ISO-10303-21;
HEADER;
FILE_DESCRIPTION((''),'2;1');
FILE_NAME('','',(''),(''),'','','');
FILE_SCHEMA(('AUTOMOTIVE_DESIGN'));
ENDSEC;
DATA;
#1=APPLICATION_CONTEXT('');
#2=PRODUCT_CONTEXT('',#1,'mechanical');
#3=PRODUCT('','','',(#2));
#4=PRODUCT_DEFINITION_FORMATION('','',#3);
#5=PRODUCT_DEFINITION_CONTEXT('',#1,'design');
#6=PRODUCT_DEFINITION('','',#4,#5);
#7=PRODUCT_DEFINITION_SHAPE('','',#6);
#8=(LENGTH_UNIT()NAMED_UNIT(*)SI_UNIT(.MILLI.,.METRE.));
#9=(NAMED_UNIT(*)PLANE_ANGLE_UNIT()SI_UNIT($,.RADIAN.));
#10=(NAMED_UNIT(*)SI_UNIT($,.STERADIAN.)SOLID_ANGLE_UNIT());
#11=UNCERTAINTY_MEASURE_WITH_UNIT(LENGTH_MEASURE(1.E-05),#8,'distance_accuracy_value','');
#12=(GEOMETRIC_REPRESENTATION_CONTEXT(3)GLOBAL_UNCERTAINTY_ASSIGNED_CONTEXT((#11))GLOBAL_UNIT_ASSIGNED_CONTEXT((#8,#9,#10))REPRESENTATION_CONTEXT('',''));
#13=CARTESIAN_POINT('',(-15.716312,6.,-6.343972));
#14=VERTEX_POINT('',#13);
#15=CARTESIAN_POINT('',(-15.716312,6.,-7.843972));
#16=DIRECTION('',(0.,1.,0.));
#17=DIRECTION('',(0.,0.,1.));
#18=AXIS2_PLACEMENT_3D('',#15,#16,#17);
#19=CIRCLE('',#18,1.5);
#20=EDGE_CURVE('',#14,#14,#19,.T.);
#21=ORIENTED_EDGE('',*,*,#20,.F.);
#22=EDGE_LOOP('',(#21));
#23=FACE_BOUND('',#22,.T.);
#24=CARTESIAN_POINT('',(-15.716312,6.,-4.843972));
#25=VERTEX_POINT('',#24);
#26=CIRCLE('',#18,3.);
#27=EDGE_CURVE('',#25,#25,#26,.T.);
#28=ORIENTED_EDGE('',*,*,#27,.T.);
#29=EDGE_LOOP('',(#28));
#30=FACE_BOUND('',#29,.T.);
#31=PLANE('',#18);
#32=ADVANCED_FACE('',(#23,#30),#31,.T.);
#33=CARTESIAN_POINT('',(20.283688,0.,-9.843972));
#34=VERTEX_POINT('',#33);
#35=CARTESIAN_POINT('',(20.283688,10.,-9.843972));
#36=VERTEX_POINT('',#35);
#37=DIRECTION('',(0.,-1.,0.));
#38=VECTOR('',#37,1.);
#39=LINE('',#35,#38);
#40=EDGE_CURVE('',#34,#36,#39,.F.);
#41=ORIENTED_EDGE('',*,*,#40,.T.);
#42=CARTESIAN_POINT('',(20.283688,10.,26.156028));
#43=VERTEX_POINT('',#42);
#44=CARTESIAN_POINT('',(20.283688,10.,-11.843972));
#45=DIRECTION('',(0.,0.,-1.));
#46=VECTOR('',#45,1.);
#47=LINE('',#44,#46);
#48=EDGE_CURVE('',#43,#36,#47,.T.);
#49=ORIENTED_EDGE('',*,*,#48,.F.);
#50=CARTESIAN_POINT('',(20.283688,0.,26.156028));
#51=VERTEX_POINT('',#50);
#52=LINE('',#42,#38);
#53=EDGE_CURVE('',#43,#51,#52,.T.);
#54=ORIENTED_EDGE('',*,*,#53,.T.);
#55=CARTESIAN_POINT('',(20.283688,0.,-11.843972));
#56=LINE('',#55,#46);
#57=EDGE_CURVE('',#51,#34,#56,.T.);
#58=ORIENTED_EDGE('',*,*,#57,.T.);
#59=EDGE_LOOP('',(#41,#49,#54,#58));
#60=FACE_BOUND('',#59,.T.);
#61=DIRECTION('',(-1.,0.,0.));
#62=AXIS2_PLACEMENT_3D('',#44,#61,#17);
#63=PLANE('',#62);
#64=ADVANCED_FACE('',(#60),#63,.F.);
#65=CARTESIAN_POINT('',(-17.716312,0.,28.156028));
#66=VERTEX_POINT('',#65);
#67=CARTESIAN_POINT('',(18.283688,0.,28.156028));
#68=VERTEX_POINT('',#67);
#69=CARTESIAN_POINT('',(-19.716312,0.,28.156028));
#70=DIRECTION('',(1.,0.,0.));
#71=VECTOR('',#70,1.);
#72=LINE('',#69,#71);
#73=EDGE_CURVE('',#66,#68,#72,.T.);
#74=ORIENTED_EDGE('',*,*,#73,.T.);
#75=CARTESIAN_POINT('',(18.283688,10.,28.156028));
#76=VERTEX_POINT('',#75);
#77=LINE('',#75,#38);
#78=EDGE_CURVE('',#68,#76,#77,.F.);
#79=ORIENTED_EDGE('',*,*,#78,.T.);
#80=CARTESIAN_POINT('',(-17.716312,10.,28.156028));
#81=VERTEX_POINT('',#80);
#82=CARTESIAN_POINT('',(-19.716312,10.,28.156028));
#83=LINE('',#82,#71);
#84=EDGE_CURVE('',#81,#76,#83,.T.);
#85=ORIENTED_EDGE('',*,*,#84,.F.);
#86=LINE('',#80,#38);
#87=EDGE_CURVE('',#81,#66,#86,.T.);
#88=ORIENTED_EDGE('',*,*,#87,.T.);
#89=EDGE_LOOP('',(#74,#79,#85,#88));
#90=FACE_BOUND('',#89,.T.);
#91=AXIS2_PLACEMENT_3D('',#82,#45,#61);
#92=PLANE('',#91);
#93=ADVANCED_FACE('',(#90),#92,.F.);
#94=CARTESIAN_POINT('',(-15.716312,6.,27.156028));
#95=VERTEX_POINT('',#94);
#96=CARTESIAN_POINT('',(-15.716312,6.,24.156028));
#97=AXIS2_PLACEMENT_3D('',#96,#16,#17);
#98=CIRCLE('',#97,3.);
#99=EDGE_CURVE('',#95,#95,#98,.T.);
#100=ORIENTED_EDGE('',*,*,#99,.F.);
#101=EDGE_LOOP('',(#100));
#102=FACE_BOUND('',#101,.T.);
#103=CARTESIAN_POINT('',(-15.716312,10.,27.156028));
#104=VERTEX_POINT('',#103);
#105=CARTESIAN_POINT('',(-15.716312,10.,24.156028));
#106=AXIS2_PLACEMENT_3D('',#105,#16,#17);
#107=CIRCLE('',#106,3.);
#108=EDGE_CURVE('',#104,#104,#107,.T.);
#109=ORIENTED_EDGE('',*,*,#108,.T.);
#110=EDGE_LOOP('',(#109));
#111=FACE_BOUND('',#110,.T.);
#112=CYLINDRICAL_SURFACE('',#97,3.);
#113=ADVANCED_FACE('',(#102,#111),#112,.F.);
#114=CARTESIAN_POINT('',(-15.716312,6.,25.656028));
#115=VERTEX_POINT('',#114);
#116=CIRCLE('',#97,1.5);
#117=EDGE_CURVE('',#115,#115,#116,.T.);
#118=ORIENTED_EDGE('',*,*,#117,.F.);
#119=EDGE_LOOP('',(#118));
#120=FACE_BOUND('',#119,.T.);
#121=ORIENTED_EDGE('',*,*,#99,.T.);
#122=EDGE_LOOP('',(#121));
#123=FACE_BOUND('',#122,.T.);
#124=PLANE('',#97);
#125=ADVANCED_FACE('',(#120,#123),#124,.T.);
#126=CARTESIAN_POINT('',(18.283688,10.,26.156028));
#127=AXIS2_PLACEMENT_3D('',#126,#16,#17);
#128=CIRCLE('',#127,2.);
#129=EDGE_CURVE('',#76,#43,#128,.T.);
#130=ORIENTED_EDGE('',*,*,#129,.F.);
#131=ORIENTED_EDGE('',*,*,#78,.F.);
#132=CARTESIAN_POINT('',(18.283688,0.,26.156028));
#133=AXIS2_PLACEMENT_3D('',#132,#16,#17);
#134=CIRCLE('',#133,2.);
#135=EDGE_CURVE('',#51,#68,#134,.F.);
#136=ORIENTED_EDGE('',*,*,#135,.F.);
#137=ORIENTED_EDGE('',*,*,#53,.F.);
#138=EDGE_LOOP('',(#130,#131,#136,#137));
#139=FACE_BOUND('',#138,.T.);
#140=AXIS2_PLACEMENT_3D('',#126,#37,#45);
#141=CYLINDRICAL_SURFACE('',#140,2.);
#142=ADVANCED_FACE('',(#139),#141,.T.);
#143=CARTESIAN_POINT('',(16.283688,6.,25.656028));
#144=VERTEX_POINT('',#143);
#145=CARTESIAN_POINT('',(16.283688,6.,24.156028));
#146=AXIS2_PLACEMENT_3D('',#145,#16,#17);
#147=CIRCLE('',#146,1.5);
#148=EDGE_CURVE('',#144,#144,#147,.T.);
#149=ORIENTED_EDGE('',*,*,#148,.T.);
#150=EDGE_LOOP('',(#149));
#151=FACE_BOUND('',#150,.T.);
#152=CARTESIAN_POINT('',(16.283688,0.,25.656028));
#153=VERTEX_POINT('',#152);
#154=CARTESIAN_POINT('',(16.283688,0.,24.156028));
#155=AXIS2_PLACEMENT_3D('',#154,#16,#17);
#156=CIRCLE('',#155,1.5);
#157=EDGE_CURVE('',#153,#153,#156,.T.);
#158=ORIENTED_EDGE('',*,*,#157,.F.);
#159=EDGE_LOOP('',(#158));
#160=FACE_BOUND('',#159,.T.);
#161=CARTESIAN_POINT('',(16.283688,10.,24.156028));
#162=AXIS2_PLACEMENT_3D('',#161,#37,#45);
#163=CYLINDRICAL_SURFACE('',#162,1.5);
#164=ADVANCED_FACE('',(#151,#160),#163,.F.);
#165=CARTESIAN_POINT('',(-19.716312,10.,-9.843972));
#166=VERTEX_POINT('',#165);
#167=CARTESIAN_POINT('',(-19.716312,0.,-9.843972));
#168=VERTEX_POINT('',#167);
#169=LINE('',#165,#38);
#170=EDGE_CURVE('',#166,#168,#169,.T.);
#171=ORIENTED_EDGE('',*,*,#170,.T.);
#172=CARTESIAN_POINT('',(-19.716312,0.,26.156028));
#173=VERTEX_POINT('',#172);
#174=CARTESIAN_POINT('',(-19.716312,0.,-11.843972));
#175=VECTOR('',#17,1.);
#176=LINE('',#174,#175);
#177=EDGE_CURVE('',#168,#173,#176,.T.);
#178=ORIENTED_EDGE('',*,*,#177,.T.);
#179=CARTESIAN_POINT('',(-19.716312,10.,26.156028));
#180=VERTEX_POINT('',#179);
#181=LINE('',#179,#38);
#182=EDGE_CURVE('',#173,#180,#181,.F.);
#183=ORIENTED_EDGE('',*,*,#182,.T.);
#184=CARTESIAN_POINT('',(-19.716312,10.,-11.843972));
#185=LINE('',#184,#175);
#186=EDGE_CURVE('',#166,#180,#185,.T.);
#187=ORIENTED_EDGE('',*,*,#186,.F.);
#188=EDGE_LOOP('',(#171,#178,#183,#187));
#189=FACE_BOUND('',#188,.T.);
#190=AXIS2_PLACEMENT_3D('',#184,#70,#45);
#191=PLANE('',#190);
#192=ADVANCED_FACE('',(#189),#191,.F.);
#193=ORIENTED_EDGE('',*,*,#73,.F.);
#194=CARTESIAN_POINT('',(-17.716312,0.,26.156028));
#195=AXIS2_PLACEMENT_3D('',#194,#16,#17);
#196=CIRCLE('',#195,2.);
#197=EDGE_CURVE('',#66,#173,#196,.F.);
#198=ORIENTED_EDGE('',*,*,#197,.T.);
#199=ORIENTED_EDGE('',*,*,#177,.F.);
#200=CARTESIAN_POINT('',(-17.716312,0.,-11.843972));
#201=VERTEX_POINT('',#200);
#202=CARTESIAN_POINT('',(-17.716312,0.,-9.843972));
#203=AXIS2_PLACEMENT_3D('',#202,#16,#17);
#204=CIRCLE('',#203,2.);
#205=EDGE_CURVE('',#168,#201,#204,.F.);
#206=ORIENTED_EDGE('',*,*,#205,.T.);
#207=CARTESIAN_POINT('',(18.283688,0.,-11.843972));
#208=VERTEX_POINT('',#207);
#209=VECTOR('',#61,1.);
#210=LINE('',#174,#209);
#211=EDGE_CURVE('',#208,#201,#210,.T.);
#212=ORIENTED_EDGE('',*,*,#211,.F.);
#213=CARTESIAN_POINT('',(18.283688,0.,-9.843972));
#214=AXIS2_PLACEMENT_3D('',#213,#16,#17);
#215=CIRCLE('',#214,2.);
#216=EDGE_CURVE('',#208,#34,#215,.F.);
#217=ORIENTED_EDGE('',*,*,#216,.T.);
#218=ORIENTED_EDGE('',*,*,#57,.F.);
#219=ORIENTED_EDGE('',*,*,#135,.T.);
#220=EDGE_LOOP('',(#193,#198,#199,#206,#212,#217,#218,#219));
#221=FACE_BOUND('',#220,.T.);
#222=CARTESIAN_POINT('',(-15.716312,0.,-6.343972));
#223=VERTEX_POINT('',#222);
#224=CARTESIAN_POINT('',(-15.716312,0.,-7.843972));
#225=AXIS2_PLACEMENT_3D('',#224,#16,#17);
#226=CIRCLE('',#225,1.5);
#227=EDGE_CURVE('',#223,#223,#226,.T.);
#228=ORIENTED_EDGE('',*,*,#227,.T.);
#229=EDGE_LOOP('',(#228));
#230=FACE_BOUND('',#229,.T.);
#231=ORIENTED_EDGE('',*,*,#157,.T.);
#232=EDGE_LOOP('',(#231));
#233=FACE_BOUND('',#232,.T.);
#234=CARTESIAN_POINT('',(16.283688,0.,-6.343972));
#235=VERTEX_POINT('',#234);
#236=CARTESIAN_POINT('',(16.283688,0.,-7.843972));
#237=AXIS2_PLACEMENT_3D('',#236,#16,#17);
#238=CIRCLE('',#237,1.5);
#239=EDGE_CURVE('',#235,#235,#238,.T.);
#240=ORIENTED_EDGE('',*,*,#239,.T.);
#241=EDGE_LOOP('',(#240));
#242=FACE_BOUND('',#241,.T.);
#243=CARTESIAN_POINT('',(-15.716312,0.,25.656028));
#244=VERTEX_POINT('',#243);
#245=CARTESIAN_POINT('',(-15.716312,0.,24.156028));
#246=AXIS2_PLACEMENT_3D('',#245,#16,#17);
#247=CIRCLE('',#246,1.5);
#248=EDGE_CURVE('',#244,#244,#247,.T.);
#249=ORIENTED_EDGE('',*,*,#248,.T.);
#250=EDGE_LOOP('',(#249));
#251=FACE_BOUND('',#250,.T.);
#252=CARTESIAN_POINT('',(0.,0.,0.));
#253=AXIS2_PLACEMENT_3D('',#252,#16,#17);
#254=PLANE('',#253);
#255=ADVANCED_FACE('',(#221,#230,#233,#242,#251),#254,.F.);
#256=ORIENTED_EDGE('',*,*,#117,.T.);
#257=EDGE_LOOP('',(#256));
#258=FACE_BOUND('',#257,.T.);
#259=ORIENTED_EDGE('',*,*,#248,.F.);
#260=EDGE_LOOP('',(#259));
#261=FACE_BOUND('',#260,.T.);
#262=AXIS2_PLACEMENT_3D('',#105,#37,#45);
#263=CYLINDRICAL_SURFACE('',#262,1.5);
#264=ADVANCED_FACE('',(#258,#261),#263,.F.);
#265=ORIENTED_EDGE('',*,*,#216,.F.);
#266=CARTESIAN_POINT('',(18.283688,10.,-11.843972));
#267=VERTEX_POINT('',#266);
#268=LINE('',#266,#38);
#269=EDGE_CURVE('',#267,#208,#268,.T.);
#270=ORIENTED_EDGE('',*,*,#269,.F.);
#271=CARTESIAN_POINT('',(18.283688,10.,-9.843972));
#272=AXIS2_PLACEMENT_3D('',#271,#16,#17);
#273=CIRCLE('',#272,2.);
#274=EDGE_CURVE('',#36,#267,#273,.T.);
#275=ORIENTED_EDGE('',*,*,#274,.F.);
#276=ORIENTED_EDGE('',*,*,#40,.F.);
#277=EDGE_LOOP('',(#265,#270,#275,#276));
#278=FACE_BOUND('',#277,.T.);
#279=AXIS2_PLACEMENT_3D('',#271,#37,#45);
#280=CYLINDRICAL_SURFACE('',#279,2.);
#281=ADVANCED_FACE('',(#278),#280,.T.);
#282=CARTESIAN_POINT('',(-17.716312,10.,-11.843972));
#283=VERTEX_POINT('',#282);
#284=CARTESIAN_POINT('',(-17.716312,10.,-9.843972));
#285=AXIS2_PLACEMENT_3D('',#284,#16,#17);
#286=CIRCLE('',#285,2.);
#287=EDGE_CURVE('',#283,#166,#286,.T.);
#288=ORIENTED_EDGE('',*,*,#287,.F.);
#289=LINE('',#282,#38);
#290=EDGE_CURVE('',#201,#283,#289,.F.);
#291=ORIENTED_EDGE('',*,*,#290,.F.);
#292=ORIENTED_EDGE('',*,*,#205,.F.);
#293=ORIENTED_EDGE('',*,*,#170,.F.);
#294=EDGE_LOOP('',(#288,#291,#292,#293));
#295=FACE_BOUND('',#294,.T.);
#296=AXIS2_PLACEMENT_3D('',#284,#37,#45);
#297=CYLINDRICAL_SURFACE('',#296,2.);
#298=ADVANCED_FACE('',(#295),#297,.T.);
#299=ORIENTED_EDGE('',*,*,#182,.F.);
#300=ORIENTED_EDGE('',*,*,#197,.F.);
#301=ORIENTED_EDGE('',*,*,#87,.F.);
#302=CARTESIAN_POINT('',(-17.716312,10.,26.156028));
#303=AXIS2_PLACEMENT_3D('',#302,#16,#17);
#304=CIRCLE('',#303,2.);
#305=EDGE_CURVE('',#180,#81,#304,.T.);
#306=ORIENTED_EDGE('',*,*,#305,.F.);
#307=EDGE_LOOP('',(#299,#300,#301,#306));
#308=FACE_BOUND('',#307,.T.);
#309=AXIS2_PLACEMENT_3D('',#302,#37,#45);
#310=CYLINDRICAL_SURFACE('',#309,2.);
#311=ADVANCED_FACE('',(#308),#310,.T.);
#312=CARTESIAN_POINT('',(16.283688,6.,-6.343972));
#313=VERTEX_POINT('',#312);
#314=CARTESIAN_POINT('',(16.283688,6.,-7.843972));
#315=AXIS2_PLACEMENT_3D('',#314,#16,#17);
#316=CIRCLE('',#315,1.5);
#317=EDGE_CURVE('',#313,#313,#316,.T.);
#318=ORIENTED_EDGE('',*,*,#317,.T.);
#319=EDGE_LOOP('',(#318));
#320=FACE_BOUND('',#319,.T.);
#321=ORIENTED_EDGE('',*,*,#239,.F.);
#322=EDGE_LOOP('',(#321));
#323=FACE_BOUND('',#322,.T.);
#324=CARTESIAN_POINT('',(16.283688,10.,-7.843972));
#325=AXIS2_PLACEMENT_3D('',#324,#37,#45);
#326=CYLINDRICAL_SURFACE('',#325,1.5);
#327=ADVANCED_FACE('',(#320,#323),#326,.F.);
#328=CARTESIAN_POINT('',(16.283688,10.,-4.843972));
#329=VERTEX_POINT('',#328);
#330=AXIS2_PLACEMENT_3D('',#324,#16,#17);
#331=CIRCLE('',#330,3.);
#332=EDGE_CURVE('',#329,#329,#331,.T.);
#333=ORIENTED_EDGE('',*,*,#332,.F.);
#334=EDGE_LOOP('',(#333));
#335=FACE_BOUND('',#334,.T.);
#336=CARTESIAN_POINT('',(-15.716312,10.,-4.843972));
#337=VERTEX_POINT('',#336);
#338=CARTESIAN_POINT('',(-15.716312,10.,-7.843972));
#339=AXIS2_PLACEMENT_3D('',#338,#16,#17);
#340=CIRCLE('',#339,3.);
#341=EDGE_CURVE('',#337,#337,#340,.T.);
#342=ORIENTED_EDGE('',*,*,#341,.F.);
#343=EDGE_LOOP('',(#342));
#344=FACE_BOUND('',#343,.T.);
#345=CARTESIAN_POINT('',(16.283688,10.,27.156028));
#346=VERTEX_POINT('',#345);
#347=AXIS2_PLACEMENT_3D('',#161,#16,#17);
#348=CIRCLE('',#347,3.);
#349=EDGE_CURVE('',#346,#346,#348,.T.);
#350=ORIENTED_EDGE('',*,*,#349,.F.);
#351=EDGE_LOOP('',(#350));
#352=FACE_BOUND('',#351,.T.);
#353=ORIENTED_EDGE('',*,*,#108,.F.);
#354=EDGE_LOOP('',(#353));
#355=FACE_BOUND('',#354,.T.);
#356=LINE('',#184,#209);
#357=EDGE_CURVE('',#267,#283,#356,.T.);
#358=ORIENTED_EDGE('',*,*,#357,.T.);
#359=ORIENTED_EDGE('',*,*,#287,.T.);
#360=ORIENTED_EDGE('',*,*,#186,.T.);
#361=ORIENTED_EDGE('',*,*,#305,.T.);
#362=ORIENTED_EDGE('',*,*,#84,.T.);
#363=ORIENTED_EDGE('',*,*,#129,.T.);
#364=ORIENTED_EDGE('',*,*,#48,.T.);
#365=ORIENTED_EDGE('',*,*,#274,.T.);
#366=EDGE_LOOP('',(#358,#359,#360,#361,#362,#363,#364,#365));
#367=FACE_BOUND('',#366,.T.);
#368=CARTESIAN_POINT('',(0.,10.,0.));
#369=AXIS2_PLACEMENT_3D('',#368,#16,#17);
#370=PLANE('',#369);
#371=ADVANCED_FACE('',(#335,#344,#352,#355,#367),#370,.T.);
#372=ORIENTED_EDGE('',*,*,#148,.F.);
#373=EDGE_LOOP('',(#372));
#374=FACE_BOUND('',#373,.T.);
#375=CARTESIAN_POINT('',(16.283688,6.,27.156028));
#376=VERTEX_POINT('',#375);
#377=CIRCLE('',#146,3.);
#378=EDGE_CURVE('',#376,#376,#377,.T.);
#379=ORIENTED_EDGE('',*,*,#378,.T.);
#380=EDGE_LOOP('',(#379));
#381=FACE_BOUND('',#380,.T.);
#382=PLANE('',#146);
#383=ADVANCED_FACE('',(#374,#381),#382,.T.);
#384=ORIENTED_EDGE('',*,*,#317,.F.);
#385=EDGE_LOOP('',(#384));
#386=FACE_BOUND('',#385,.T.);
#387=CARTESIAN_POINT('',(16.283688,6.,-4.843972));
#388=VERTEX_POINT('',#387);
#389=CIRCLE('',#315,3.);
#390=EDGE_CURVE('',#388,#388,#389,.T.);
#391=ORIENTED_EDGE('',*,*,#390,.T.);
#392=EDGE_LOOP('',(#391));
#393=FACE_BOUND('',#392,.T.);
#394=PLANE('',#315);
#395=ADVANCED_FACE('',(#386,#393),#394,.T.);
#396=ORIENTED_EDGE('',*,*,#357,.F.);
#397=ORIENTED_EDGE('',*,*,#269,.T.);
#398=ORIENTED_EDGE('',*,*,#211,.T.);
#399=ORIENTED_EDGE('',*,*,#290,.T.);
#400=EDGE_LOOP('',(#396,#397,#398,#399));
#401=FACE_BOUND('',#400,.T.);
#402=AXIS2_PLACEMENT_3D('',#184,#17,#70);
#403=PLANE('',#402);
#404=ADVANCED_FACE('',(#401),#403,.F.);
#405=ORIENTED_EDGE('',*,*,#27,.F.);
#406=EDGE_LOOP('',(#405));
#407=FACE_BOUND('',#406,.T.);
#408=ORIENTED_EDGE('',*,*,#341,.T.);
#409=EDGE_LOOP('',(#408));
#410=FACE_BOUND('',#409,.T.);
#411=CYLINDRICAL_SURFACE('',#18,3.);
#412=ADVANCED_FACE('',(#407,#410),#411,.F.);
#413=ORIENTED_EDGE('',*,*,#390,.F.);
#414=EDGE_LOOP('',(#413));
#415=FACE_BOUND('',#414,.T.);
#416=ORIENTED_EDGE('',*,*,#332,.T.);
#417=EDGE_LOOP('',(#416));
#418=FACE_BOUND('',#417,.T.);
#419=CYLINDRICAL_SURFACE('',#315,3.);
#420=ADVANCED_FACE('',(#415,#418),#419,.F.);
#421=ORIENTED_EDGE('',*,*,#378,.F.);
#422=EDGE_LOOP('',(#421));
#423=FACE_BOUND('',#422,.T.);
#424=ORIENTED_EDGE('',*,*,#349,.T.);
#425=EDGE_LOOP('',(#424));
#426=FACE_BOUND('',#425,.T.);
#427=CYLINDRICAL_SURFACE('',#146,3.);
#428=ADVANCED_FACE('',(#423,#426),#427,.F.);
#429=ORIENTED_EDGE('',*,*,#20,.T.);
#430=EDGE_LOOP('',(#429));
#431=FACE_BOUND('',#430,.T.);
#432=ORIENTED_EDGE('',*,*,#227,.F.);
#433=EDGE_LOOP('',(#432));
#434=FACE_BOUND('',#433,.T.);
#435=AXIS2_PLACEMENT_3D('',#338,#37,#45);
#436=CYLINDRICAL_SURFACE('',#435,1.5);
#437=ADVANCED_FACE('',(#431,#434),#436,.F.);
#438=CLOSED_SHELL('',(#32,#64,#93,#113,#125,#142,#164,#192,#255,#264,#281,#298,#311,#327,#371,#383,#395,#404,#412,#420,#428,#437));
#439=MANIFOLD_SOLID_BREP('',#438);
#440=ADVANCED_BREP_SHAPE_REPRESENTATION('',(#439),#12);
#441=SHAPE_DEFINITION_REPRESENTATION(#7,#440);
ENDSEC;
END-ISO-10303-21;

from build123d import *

# Parameters (mm, degrees)
SKETCH_1_W          = 40
SKETCH_1_H          = 40
SKETCH_1_R          = 1.5
EXTRUDE_1_DEPTH     = 10
FILLET_1_R          = 2
SKETCH_2_R          = 3
CUT_EXTRUDE_1_DEPTH = 4


with BuildPart() as part:
    # Эскиз1 → Бобышка-Вытянуть1 (new body)
    with BuildSketch(Plane(origin=(0, 0, 0), x_dir=(1, 0, 0), z_dir=(0, 1, 0))):
        with Locations((0.283687943, -8.156028369)):
            Rectangle(SKETCH_1_W, SKETCH_1_H)
        with Locations(Location((-15.716312057, 7.843971631, 0), (0, 0, 270))):
            Circle(SKETCH_1_R, mode=Mode.SUBTRACT)
        with Locations(Location((16.283687943, 7.843971631, 0), (0, 0, 270))):
            Circle(SKETCH_1_R, mode=Mode.SUBTRACT)
        with Locations(Location((16.283687943, -24.156028369, 0), (0, 0, 270))):
            Circle(SKETCH_1_R, mode=Mode.SUBTRACT)
        with Locations(Location((-15.716312057, -24.156028369, 0), (0, 0, 270))):
            Circle(SKETCH_1_R, mode=Mode.SUBTRACT)
    extrude(amount=EXTRUDE_1_DEPTH)

    # Скругление1
    fillet_1_edges = [part.edges().sort_by_distance(p)[0] for p in [
        (-19.716312057, 5, -11.843971631),
        (20.283687943, 5, -11.843971631),
        (20.283687943, 5, 28.156028369),
        (-19.716312057, 5, 28.156028369),
    ]]
    fillet(fillet_1_edges, radius=FILLET_1_R)

    # Эскиз2 → Вырез-Вытянуть1 (cut)
    with BuildSketch(Plane(origin=(0, 10, 0), x_dir=(1, 0, 0), z_dir=(0, 1, 0))):
        with Locations(Location((-15.716312057, 7.843971631, 0), (0, 0, 270))):
            Circle(SKETCH_2_R)
        with Locations(Location((16.283687943, 7.843971631, 0), (0, 0, 270))):
            Circle(SKETCH_2_R)
        with Locations(Location((16.283687943, -24.156028369, 0), (0, 0, 270))):
            Circle(SKETCH_2_R)
        with Locations(Location((-15.716312057, -24.156028369, 0), (0, 0, 270))):
            Circle(SKETCH_2_R)
    extrude(amount=-CUT_EXTRUDE_1_DEPTH, mode=Mode.SUBTRACT)


solid = part.part
